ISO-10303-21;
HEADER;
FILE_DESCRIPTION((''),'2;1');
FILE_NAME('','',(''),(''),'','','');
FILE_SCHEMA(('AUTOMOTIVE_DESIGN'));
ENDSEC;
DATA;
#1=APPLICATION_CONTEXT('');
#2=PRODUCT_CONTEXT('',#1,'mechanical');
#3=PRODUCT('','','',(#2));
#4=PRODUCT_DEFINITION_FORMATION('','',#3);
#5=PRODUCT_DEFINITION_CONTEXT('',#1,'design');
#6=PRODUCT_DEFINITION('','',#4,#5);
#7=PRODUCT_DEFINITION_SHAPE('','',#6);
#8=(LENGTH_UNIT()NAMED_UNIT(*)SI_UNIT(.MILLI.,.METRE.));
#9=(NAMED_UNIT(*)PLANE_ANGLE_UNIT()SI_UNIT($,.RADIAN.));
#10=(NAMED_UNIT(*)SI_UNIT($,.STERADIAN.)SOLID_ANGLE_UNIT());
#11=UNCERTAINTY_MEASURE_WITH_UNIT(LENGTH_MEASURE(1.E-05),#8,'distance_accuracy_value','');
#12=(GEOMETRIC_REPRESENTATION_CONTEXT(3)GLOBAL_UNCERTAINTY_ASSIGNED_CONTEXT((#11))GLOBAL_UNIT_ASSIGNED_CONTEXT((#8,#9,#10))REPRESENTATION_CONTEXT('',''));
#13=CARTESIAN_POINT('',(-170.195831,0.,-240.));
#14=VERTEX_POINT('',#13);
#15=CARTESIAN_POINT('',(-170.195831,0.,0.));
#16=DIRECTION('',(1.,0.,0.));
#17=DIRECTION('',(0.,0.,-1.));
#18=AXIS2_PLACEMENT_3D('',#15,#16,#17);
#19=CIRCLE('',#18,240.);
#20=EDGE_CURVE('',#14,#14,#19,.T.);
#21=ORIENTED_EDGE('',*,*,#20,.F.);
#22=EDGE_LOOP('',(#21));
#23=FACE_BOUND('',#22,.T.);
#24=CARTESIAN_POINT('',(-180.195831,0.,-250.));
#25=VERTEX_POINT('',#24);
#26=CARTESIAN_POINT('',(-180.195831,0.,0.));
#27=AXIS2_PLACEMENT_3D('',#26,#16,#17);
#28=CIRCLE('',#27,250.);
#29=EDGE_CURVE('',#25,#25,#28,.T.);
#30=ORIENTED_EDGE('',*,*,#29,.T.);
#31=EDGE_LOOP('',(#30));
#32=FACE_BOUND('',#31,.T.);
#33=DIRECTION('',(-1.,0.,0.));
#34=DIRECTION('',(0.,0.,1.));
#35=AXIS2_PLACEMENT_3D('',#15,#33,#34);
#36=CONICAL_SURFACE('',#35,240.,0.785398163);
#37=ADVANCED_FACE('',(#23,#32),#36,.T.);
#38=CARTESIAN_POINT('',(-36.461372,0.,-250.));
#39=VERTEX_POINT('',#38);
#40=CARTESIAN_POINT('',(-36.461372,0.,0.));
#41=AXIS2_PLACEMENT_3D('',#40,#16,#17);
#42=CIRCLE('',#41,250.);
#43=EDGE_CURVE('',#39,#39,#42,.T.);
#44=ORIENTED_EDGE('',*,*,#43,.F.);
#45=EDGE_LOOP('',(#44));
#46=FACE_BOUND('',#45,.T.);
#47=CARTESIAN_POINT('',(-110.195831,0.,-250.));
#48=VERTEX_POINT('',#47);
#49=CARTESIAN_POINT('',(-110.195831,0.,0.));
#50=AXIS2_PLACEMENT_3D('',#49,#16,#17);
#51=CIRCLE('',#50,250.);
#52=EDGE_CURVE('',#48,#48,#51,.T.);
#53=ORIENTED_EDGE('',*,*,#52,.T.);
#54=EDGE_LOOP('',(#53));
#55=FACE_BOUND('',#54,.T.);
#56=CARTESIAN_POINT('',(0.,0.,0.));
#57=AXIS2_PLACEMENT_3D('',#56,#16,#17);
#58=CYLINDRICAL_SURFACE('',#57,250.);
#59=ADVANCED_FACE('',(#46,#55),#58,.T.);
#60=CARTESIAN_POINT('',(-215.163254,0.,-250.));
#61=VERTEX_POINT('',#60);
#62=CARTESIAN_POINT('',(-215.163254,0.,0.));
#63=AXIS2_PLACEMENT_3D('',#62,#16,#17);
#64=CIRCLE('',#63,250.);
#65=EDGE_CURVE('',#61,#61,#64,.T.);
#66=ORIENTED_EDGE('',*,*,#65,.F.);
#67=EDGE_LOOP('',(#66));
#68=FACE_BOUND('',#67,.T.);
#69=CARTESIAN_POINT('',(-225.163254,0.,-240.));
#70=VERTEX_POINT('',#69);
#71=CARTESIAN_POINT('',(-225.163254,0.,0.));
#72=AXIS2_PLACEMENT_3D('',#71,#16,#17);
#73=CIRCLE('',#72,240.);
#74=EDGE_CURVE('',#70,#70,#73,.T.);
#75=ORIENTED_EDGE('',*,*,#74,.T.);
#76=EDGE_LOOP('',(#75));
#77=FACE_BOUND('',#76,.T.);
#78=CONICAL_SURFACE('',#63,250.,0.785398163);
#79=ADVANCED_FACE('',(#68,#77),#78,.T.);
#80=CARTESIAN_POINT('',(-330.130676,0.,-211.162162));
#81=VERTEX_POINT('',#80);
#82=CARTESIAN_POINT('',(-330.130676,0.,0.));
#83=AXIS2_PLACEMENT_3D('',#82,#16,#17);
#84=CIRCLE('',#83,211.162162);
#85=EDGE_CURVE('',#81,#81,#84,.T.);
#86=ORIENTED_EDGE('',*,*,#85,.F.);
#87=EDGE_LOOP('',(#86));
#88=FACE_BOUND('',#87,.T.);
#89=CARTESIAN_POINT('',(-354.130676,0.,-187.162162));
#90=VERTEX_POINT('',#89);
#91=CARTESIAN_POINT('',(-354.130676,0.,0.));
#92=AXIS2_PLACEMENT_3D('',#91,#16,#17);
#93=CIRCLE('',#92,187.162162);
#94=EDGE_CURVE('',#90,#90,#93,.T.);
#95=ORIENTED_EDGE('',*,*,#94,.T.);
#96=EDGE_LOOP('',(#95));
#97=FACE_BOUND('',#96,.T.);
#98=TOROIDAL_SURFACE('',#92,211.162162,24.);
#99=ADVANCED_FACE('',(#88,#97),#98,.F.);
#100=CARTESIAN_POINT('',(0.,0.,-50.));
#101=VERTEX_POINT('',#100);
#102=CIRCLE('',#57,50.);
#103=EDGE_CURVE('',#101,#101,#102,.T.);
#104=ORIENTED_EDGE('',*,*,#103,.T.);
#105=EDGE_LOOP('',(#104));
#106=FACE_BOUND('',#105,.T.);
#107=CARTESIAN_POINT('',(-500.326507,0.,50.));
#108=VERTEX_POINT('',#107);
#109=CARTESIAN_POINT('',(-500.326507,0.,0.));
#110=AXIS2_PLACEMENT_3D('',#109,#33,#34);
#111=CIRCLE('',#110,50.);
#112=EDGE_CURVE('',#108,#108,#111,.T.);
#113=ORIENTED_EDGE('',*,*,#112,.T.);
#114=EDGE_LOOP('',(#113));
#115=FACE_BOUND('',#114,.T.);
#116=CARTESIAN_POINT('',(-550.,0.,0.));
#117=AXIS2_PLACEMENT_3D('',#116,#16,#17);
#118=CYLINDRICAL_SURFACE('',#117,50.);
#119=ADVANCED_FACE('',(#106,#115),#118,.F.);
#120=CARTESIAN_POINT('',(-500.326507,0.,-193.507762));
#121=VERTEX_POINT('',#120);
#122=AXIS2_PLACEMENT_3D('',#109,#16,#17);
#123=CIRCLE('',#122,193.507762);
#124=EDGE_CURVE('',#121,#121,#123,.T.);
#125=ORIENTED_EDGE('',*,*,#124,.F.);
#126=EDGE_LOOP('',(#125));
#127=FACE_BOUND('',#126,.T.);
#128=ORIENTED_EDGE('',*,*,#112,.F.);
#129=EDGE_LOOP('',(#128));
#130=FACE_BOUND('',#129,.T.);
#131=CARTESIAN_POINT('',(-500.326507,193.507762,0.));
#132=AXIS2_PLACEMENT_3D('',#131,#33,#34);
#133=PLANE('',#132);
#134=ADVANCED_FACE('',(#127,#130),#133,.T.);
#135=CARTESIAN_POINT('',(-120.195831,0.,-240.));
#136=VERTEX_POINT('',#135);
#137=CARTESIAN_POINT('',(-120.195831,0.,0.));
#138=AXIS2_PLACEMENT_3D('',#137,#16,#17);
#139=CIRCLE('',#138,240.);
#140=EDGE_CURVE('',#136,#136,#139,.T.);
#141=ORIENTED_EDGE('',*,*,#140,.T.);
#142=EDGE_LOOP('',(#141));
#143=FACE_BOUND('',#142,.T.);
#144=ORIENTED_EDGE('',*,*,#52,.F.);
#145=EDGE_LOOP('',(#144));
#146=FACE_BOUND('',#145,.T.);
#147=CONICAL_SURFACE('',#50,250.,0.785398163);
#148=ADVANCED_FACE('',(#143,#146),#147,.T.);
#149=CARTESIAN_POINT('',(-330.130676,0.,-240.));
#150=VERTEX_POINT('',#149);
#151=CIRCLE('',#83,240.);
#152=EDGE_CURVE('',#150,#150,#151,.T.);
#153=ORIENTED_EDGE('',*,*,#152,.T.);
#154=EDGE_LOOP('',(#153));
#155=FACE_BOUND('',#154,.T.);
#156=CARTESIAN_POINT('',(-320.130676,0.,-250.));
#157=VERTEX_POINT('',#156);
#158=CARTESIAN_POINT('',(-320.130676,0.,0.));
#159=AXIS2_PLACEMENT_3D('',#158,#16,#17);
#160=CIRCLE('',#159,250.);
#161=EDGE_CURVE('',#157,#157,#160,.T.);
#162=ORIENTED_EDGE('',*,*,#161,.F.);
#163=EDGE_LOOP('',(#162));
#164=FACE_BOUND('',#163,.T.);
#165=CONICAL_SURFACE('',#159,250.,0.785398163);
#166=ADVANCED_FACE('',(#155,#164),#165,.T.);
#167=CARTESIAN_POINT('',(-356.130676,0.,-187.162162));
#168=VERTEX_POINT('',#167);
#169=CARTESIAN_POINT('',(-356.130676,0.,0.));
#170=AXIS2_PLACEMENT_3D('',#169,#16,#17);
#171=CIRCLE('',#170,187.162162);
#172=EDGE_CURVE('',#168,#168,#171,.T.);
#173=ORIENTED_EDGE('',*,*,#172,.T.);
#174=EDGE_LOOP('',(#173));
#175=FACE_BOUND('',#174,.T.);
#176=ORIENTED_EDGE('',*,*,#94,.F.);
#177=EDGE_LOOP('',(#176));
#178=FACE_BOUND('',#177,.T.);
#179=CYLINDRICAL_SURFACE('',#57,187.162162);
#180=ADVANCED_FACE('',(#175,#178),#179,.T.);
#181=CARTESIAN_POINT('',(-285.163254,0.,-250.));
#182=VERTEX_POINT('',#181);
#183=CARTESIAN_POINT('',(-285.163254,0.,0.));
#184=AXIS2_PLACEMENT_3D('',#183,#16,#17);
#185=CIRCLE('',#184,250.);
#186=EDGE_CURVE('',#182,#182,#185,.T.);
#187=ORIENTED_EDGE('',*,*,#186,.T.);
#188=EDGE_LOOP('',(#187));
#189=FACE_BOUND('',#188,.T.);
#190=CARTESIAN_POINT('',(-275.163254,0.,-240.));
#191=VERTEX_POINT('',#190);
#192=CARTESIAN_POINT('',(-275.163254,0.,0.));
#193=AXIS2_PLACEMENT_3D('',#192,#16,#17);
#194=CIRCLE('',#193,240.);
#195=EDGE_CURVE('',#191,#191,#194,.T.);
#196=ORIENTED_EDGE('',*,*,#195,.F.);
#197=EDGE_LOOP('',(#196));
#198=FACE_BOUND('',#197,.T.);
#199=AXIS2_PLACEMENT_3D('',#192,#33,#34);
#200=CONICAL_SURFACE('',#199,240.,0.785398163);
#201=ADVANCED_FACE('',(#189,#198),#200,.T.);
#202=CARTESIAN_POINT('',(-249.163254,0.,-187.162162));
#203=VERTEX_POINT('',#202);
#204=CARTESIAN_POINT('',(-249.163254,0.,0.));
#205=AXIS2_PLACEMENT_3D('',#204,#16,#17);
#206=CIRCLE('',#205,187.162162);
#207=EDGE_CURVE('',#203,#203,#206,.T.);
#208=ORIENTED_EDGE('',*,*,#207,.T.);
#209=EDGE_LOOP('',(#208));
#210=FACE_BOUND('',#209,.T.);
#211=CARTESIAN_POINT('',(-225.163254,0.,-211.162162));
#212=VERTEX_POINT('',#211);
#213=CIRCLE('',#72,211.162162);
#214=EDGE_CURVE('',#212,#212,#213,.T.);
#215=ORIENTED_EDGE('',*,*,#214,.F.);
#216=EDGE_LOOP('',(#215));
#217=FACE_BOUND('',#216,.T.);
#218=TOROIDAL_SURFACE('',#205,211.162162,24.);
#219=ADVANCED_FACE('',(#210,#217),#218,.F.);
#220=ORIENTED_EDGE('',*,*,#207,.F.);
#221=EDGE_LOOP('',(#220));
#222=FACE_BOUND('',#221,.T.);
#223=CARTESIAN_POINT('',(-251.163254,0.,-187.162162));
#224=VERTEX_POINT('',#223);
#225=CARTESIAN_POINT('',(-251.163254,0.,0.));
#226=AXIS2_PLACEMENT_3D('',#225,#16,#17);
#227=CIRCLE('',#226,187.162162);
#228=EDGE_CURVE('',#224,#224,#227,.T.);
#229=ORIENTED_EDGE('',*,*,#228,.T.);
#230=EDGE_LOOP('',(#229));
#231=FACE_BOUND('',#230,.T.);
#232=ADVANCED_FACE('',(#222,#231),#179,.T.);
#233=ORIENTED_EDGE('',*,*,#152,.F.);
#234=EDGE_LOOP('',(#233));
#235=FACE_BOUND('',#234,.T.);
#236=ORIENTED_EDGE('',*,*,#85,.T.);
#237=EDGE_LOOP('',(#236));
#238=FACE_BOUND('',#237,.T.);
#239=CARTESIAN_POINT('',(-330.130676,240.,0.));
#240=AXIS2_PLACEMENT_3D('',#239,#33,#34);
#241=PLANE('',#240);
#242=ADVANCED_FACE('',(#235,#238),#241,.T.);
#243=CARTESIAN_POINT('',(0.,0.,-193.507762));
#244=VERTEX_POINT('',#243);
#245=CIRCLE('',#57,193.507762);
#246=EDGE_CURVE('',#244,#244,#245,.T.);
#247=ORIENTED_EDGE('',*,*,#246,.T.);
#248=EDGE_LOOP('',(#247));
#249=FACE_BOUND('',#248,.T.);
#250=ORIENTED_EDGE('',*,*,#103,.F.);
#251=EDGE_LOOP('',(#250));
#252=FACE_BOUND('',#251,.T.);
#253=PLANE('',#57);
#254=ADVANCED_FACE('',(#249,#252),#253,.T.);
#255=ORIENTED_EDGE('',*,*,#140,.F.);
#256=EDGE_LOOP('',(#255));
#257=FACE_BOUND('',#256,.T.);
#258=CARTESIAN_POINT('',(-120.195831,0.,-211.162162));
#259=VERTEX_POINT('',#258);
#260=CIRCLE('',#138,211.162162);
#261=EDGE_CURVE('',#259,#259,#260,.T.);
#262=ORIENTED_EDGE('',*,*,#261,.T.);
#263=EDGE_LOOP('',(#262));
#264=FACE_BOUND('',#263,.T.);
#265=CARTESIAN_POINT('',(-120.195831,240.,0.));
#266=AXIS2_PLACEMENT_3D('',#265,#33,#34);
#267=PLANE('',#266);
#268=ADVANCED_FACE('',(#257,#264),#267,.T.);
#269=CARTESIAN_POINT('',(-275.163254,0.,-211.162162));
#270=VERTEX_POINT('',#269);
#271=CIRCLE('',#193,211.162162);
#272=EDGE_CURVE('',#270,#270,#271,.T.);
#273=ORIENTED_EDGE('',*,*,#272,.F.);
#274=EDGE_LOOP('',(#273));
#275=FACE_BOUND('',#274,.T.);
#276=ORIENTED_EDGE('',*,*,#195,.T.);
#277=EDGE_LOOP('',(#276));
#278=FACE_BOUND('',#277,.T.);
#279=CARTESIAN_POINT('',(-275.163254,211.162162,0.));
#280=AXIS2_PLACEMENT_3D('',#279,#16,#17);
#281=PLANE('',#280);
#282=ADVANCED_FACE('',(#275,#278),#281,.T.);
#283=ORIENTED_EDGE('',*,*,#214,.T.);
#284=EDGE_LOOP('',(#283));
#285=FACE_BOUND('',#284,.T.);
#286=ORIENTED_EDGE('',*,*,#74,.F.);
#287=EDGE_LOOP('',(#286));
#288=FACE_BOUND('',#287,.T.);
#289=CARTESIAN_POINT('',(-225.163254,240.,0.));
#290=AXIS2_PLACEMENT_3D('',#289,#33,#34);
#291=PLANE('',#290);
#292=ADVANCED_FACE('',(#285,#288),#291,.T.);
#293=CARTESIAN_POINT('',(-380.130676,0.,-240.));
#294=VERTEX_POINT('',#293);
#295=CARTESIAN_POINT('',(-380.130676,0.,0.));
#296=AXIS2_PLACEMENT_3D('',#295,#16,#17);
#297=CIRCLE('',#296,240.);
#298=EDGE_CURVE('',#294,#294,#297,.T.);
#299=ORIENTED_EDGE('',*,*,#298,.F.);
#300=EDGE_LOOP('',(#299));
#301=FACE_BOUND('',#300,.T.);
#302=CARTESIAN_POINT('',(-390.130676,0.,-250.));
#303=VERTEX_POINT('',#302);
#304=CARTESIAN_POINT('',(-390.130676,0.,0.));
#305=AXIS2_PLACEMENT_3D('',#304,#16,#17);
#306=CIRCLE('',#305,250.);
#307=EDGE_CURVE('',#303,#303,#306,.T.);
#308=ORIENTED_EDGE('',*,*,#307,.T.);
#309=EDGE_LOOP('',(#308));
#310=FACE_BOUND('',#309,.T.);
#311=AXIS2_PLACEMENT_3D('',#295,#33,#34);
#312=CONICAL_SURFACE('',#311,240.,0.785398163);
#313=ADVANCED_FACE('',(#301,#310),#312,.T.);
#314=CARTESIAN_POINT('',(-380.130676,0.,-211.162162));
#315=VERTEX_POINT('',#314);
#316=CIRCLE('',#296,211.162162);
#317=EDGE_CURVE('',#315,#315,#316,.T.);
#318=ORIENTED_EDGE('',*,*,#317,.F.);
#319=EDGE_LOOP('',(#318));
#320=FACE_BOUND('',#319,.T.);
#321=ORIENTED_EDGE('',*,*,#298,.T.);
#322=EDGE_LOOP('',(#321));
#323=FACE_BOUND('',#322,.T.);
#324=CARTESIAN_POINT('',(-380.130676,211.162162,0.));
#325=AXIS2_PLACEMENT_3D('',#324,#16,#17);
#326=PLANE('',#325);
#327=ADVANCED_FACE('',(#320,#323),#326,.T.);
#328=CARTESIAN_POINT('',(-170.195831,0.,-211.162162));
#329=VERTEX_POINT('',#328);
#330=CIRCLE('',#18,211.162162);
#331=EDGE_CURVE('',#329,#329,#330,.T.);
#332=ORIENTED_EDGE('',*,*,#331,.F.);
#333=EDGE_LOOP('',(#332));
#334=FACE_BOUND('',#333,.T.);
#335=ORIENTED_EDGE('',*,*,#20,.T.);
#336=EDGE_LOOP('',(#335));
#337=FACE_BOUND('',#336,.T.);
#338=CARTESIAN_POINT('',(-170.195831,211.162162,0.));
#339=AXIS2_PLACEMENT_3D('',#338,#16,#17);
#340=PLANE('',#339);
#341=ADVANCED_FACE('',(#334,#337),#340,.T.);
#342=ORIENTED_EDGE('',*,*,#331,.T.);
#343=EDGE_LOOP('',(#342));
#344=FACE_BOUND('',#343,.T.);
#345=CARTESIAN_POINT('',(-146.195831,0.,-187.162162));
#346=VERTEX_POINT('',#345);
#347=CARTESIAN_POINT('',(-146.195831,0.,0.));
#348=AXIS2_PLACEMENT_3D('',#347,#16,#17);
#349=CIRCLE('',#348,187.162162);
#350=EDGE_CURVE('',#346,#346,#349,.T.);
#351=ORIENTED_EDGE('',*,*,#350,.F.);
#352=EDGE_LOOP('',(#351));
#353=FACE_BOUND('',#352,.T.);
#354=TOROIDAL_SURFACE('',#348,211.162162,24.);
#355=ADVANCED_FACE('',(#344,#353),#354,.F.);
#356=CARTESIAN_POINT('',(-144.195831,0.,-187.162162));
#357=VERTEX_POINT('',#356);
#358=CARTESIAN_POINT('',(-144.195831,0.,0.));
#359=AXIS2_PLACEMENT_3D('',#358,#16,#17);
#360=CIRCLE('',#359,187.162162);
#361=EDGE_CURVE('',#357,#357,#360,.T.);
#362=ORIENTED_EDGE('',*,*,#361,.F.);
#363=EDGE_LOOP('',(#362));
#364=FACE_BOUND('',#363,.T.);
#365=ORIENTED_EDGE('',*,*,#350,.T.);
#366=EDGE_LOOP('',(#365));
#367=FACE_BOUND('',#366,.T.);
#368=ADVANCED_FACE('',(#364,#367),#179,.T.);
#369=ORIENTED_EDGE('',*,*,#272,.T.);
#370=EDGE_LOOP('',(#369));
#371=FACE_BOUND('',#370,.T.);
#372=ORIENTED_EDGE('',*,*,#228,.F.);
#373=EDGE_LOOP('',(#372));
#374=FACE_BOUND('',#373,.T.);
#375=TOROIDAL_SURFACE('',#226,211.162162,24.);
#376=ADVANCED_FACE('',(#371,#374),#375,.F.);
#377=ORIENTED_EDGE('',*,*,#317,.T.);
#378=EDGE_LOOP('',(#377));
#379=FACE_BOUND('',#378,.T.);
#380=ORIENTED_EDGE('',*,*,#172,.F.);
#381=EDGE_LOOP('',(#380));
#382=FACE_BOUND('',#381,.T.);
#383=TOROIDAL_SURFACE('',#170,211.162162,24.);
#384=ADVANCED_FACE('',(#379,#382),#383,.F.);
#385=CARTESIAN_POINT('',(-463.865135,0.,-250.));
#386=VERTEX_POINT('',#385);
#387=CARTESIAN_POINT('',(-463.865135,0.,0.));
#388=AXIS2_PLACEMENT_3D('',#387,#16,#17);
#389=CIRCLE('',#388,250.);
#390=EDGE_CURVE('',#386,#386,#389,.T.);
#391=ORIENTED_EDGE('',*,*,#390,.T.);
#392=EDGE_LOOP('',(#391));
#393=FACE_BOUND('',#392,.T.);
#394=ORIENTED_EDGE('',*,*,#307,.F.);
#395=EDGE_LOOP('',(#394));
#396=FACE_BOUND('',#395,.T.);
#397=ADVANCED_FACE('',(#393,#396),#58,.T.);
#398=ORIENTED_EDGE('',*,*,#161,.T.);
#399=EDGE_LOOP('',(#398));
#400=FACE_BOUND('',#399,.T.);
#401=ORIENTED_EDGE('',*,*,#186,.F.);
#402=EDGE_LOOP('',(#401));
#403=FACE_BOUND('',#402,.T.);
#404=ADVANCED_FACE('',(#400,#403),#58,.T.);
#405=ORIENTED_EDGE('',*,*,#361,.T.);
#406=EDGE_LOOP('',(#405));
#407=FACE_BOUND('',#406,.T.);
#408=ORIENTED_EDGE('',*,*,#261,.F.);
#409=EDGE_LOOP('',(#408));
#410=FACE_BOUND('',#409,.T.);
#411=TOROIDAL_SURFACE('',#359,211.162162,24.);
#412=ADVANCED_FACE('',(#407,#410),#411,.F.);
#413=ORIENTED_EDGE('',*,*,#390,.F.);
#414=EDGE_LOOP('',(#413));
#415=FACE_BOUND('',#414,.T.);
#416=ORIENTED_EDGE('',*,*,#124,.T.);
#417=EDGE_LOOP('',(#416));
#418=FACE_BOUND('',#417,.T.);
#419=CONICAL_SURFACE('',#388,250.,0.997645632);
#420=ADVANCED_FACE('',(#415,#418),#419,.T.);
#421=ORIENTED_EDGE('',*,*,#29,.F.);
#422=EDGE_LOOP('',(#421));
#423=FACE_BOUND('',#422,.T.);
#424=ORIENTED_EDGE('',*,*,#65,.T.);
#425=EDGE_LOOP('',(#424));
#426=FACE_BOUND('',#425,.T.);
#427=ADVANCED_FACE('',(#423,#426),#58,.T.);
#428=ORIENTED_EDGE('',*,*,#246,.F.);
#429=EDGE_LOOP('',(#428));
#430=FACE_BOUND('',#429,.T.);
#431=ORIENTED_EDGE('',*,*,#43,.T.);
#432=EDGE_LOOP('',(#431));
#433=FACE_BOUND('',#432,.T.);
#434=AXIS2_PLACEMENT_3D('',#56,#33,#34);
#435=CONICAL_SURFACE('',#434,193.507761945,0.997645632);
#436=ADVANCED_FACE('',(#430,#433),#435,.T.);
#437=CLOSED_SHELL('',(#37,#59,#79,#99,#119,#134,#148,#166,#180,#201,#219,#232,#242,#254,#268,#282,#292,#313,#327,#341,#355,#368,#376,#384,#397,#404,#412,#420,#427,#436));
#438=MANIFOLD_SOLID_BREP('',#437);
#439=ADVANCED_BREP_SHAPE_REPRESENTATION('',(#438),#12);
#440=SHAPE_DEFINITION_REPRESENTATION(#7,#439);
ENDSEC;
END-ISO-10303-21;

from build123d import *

# Parameters (mm, degrees)
SKETCH3_R          = 50
CUT_EXTRUDE1_DEPTH = 550


with BuildPart() as part:
    # Sketch2 → Revolve1 (revolve)
    with BuildSketch(Plane.XY):
        with BuildLine():
            Line((0, 0), (0, 193.507761945))
            Line((0, 193.507761945), (-36.461372265, 250))
            Line((-36.461372265, 250), (-110.195831317, 250))
            Line((-110.195831317, 250), (-120.195831317, 240))
            Line((-120.195831317, 240), (-120.195831317, 211.162162162))
            ThreePointArc((-120.195831317, 211.162162162), (-127.225268569, 194.191599414), (-144.195831317, 187.162162162))
            Line((-144.195831317, 187.162162162), (-146.195831317, 187.162162162))
            ThreePointArc((-146.195831317, 187.162162162), (-163.166394066, 194.191599414), (-170.195831317, 211.162162162))
            Line((-170.195831317, 211.162162162), (-170.195831317, 240))
            Line((-170.195831317, 240), (-180.195831317, 250))
            Line((-180.195831317, 250), (-215.163253655, 250))
            Line((-215.163253655, 250), (-225.163253655, 240))
            Line((-225.163253655, 240), (-225.163253655, 211.162162162))
            ThreePointArc((-225.163253655, 211.162162162), (-232.192690907, 194.191599414), (-249.163253655, 187.162162162))
            Line((-249.163253655, 187.162162162), (-251.163253655, 187.162162162))
            ThreePointArc((-251.163253655, 187.162162162), (-268.133816404, 194.191599414), (-275.163253655, 211.162162162))
            Line((-275.163253655, 211.162162162), (-275.163253655, 240))
            Line((-275.163253655, 240), (-285.163253655, 250))
            Line((-285.163253655, 250), (-320.130675994, 250))
            Line((-320.130675994, 250), (-330.130675994, 240))
            Line((-330.130675994, 240), (-330.130675994, 211.162162162))
            ThreePointArc((-330.130675994, 211.162162162), (-337.160113245, 194.191599414), (-354.130675994, 187.162162162))
            Line((-354.130675994, 187.162162162), (-356.130675994, 187.162162162))
            ThreePointArc((-356.130675994, 187.162162162), (-373.101238742, 194.191599414), (-380.130675994, 211.162162162))
            Line((-380.130675994, 211.162162162), (-380.130675994, 240))
            Line((-380.130675994, 240), (-390.130675994, 250))
            Line((-390.130675994, 250), (-463.865135046, 250))
            Line((-463.865135046, 250), (-500.326507311, 193.507761945))
            Line((-500.326507311, 193.507761945), (-500.326507311, 0))
            Line((-500.326507311, 0), (0, 0))
        make_face()
    revolve(axis=Axis((0, 0, 0), (-1, 0, 0)))

    # Sketch3 → Cut-Extrude1 (cut)
    with BuildSketch(Plane(origin=(0, 0, 0), x_dir=(0, 0, -1), z_dir=(1, 0, 0))):
        Circle(SKETCH3_R)
    extrude(amount=-CUT_EXTRUDE1_DEPTH, mode=Mode.SUBTRACT)


solid = part.part
